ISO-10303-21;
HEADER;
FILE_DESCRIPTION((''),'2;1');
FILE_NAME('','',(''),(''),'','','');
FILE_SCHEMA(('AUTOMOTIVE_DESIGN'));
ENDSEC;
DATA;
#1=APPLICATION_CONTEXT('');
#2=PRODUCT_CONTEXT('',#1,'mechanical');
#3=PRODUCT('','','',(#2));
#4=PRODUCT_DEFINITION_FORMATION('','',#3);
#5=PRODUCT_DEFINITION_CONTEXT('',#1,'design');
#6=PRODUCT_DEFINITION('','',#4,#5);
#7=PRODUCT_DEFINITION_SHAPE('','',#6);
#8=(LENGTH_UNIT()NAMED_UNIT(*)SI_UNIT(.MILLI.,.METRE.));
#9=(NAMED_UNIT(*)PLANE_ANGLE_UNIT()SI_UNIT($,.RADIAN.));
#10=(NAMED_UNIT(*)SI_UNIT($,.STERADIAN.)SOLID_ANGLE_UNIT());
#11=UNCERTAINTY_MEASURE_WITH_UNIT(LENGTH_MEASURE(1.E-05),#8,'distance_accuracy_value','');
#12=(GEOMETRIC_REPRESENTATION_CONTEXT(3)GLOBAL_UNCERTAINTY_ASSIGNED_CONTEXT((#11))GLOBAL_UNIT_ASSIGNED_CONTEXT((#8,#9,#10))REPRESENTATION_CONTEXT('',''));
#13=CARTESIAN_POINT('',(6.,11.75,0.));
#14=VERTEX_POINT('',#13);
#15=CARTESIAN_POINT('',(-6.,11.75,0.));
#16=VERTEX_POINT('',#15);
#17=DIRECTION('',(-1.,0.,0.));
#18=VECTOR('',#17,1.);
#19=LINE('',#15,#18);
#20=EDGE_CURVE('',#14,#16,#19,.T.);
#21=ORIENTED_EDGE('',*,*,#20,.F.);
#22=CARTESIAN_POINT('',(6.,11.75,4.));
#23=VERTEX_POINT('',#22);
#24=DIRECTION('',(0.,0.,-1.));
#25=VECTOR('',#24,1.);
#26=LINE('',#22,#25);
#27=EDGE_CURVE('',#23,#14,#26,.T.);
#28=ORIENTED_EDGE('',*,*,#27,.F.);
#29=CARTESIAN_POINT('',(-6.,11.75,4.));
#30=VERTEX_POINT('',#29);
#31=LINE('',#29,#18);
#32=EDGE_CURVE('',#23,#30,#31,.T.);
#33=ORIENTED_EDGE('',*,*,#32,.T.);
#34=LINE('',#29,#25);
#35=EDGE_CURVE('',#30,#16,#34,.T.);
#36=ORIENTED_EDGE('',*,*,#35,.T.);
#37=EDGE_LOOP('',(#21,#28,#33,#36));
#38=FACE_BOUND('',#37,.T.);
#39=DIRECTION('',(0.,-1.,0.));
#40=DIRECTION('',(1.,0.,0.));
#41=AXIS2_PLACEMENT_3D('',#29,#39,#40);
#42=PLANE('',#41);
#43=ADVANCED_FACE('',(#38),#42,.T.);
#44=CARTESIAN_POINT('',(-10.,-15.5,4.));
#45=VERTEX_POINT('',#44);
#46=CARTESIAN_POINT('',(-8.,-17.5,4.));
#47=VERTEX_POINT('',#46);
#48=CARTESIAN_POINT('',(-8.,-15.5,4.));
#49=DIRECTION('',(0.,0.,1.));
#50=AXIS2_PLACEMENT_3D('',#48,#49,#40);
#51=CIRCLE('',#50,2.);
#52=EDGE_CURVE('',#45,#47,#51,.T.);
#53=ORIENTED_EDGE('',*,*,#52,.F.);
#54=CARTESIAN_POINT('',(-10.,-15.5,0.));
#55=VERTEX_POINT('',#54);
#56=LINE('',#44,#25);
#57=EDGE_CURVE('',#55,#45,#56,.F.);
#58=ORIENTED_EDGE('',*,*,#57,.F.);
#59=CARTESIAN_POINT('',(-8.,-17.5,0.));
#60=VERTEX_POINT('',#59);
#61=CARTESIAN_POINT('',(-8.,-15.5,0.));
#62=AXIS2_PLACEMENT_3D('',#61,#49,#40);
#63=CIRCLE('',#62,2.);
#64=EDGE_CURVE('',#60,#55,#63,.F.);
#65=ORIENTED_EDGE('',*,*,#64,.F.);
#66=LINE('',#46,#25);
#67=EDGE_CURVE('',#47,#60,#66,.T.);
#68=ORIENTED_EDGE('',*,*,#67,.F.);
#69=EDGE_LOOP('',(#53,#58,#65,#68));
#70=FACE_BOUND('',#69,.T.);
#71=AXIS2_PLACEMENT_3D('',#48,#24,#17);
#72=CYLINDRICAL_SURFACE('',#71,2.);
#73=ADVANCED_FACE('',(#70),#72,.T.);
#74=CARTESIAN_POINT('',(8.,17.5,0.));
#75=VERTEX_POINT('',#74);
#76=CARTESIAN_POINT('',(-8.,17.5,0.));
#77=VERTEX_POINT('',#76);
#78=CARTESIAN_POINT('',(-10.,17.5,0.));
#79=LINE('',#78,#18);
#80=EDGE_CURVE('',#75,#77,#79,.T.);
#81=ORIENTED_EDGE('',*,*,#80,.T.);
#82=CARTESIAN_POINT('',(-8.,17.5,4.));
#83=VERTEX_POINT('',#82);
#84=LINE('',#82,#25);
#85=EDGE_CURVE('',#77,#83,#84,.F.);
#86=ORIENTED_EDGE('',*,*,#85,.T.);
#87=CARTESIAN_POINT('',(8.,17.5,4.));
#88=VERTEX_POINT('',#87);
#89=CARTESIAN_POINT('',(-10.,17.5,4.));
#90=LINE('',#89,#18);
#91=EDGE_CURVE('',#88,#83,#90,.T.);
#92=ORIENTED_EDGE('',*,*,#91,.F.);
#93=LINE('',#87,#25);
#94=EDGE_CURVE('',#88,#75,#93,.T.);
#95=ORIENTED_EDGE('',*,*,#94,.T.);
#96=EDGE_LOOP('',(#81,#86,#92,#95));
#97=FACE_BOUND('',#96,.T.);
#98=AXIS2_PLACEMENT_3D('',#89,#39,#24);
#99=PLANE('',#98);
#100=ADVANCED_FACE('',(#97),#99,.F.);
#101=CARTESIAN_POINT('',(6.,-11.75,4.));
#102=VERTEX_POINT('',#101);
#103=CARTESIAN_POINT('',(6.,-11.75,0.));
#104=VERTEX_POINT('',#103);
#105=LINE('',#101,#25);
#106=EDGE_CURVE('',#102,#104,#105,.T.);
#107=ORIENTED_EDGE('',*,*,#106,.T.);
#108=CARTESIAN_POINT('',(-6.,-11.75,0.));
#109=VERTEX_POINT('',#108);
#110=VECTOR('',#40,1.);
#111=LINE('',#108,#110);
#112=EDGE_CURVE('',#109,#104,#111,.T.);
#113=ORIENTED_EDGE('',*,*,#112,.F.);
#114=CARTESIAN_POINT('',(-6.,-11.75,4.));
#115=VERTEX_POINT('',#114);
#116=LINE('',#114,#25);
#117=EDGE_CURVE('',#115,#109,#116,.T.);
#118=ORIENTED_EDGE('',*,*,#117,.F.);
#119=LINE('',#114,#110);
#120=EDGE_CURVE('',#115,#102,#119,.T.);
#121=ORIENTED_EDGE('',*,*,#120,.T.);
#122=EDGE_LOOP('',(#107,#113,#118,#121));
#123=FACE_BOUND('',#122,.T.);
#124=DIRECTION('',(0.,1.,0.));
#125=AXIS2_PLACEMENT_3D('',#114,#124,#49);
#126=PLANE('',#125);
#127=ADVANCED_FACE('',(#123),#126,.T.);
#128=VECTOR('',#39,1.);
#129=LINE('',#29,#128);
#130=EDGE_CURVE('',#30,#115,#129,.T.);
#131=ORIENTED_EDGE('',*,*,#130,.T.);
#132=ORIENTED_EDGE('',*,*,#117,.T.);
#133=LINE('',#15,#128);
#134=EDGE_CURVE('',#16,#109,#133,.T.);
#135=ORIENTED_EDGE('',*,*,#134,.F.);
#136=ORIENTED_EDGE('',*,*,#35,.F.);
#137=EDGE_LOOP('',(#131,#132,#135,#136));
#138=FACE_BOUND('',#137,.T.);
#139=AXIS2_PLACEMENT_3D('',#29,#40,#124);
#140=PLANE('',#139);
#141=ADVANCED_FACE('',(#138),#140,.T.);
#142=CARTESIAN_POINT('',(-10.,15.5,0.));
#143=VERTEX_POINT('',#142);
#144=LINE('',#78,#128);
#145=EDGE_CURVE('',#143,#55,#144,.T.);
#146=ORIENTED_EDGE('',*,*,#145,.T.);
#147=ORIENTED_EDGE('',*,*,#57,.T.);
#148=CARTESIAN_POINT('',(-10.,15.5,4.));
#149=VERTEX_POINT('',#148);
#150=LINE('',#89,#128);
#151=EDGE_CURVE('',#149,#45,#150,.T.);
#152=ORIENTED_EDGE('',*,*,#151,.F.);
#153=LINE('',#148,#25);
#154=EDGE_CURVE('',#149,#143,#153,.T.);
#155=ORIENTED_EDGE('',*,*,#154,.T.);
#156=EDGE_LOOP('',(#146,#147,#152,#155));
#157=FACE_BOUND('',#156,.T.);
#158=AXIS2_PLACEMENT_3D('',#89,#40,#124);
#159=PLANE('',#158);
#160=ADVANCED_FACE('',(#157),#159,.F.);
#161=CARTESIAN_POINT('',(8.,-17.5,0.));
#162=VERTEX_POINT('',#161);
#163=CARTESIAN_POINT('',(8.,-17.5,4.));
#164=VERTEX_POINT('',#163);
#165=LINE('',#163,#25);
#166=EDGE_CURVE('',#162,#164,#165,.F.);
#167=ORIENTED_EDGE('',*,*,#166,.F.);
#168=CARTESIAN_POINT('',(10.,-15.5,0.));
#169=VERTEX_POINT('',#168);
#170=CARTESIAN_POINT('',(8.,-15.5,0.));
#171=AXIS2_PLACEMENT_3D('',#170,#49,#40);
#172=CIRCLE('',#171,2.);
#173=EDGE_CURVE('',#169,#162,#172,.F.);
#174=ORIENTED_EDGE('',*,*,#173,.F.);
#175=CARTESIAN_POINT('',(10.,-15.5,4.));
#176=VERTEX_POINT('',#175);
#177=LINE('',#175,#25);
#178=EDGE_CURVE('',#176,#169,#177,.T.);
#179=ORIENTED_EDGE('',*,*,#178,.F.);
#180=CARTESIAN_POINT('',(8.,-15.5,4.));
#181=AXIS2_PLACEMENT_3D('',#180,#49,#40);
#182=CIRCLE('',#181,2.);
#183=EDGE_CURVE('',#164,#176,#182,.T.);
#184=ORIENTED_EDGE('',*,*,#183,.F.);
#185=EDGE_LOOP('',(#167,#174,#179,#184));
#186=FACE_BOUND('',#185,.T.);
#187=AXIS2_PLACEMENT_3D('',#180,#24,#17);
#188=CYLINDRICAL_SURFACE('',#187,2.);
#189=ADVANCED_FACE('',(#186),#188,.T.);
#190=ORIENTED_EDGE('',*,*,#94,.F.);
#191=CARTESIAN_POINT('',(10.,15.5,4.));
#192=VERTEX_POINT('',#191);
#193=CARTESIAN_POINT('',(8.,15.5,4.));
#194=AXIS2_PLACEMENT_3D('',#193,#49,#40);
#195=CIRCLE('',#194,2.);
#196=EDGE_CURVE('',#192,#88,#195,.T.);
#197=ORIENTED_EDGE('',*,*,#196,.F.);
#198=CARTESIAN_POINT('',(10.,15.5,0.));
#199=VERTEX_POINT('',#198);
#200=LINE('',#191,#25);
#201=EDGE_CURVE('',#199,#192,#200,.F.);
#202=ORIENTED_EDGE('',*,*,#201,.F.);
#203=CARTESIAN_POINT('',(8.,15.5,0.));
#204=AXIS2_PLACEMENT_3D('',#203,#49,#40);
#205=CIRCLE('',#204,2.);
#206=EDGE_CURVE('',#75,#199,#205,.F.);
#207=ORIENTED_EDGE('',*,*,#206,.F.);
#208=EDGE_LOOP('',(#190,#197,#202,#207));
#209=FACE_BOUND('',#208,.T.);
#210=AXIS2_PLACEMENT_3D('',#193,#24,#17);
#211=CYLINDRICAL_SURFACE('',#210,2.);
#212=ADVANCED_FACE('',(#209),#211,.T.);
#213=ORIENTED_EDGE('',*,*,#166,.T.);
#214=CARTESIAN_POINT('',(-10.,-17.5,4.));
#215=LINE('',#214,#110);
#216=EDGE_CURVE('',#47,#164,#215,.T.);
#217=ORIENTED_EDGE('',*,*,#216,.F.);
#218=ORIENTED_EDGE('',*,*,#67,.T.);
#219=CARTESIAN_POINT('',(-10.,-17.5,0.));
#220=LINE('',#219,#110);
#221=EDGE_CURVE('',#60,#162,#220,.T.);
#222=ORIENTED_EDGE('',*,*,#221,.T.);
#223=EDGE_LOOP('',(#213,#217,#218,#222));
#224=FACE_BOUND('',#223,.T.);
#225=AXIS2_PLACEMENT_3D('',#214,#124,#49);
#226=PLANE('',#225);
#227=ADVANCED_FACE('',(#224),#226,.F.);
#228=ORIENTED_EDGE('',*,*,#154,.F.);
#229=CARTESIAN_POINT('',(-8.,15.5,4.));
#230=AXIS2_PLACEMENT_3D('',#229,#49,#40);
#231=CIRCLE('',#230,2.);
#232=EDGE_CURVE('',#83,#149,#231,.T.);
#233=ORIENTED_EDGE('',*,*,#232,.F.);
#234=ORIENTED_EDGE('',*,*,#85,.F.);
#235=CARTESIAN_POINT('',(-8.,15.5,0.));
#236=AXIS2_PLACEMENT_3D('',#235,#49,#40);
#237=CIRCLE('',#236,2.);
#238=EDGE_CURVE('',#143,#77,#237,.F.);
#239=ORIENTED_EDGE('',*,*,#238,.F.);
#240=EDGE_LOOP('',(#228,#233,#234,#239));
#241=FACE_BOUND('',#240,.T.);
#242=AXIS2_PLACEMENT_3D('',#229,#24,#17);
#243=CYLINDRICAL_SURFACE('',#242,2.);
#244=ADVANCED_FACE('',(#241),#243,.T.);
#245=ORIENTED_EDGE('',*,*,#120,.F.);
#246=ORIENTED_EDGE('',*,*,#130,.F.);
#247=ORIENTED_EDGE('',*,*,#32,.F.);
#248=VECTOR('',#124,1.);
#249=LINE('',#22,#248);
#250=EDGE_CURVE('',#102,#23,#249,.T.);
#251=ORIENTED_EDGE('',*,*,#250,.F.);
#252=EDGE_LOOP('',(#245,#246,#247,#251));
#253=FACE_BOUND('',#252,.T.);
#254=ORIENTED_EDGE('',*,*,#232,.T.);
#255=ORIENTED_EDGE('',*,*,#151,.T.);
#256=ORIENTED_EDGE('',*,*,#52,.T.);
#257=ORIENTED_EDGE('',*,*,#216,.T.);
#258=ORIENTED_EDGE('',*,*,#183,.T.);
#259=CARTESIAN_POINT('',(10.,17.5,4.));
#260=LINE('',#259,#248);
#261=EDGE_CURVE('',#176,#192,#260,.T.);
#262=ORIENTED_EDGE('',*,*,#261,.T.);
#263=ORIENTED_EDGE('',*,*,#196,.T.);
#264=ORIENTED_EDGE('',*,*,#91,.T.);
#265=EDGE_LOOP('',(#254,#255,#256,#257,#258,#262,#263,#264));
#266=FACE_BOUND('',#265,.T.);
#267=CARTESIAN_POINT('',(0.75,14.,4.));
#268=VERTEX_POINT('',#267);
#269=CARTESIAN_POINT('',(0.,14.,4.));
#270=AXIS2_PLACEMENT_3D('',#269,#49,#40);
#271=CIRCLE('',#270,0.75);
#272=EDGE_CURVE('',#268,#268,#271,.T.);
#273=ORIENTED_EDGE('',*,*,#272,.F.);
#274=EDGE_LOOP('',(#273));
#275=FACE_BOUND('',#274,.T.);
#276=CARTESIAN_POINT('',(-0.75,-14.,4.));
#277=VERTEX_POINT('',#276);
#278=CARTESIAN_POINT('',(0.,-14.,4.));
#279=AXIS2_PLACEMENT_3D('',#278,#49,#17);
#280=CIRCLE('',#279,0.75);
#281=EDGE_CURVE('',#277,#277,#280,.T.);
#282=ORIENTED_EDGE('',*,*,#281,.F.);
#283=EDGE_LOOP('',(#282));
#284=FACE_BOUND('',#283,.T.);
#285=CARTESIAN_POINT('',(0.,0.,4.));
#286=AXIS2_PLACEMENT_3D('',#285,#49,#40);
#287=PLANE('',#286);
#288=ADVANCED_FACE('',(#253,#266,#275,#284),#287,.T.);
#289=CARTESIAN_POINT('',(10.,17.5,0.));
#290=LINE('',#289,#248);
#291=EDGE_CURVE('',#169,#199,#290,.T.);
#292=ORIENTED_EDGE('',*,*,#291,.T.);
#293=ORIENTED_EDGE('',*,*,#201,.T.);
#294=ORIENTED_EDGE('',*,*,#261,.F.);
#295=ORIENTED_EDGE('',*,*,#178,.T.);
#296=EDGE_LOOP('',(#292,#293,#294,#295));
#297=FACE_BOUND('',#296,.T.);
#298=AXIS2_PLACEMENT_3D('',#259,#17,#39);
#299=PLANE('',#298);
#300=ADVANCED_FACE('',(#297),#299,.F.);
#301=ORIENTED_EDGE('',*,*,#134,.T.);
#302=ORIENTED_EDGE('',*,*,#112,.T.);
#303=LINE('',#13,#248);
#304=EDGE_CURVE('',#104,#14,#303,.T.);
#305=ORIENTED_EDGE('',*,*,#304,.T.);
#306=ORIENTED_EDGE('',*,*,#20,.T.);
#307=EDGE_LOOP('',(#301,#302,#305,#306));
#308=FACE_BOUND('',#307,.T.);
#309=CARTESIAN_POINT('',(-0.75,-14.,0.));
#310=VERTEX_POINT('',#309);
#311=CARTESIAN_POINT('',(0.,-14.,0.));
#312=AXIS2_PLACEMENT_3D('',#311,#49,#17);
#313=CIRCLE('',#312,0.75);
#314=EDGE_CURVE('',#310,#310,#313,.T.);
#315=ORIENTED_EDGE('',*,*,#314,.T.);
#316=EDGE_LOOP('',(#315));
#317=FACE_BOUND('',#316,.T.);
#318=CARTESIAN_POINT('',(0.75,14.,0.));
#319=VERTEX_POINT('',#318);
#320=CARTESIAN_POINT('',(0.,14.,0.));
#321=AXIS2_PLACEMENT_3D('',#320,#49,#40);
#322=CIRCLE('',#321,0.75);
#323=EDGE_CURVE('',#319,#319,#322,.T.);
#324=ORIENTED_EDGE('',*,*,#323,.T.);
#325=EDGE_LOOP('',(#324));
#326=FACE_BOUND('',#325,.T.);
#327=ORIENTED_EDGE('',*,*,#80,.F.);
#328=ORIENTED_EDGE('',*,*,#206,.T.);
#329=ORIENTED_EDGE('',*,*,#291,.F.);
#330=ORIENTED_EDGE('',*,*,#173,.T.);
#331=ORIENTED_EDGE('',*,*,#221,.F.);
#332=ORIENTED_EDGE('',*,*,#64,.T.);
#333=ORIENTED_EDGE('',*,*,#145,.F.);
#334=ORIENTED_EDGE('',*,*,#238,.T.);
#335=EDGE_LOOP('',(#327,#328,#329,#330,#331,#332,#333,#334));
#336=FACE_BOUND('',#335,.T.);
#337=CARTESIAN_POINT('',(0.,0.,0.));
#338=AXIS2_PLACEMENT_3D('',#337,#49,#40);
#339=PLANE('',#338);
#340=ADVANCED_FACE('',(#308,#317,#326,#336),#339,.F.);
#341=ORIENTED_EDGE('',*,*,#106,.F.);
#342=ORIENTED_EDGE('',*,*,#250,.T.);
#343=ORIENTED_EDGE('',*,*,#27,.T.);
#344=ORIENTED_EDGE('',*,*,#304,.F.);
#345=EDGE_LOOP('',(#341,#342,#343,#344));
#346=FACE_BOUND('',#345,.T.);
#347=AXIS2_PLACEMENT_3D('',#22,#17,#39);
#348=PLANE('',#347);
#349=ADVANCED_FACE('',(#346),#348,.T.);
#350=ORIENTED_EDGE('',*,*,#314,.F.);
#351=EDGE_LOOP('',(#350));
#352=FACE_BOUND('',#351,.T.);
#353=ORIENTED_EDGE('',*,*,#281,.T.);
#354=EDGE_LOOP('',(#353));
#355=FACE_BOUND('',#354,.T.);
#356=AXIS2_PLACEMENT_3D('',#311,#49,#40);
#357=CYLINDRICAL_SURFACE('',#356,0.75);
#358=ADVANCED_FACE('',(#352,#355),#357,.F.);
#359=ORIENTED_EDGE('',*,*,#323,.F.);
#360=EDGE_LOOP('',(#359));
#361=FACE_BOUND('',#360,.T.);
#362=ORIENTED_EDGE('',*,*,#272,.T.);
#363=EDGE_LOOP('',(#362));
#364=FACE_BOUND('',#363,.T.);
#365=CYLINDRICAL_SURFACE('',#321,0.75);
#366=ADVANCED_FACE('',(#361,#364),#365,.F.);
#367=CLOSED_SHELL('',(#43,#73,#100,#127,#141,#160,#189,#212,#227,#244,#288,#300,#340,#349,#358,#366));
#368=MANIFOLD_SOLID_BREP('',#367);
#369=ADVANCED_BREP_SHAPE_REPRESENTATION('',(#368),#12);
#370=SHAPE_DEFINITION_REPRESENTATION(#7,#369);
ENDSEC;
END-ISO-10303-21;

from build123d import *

# Parameters (mm, degrees)
SKIZZE1_W                       = 20
SKIZZE1_H                       = 35
SKIZZE1_W_2                     = 12
SKIZZE1_H_2                     = 23.5
GRUNDPLATTE_DEPTH               = 4
SKIZZE2_R                       = 0.75
SCHNITT_LINEAR_AUSTRAGEN1_DEPTH = 21.548722588
VERRUNDUNG1_R                   = 2


with BuildPart() as part:
    # Skizze1 → Grundplatte (new body)
    with BuildSketch(Plane.XY):
        Rectangle(SKIZZE1_W, SKIZZE1_H)
        Rectangle(SKIZZE1_W_2, SKIZZE1_H_2, mode=Mode.SUBTRACT)
    extrude(amount=GRUNDPLATTE_DEPTH)

    # Skizze2 → Schnitt-Linear austragen1 (cut, through all)
    with BuildSketch(Plane.XY.offset(4)):
        with Locations((0, 14)):
            Circle(SKIZZE2_R)
        with Locations(Location((0, -14, 0), (0, 0, 180))):
            Circle(SKIZZE2_R)
    extrude(amount=-SCHNITT_LINEAR_AUSTRAGEN1_DEPTH, mode=Mode.SUBTRACT)

    # Verrundung1
    verrundung1_edges = [part.edges().sort_by_distance(p)[0] for p in [
        (10, -17.5, 2),
        (-10, -17.5, 2),
        (-10, 17.5, 2),
        (10, 17.5, 2),
    ]]
    fillet(verrundung1_edges, radius=VERRUNDUNG1_R)


solid = part.part
